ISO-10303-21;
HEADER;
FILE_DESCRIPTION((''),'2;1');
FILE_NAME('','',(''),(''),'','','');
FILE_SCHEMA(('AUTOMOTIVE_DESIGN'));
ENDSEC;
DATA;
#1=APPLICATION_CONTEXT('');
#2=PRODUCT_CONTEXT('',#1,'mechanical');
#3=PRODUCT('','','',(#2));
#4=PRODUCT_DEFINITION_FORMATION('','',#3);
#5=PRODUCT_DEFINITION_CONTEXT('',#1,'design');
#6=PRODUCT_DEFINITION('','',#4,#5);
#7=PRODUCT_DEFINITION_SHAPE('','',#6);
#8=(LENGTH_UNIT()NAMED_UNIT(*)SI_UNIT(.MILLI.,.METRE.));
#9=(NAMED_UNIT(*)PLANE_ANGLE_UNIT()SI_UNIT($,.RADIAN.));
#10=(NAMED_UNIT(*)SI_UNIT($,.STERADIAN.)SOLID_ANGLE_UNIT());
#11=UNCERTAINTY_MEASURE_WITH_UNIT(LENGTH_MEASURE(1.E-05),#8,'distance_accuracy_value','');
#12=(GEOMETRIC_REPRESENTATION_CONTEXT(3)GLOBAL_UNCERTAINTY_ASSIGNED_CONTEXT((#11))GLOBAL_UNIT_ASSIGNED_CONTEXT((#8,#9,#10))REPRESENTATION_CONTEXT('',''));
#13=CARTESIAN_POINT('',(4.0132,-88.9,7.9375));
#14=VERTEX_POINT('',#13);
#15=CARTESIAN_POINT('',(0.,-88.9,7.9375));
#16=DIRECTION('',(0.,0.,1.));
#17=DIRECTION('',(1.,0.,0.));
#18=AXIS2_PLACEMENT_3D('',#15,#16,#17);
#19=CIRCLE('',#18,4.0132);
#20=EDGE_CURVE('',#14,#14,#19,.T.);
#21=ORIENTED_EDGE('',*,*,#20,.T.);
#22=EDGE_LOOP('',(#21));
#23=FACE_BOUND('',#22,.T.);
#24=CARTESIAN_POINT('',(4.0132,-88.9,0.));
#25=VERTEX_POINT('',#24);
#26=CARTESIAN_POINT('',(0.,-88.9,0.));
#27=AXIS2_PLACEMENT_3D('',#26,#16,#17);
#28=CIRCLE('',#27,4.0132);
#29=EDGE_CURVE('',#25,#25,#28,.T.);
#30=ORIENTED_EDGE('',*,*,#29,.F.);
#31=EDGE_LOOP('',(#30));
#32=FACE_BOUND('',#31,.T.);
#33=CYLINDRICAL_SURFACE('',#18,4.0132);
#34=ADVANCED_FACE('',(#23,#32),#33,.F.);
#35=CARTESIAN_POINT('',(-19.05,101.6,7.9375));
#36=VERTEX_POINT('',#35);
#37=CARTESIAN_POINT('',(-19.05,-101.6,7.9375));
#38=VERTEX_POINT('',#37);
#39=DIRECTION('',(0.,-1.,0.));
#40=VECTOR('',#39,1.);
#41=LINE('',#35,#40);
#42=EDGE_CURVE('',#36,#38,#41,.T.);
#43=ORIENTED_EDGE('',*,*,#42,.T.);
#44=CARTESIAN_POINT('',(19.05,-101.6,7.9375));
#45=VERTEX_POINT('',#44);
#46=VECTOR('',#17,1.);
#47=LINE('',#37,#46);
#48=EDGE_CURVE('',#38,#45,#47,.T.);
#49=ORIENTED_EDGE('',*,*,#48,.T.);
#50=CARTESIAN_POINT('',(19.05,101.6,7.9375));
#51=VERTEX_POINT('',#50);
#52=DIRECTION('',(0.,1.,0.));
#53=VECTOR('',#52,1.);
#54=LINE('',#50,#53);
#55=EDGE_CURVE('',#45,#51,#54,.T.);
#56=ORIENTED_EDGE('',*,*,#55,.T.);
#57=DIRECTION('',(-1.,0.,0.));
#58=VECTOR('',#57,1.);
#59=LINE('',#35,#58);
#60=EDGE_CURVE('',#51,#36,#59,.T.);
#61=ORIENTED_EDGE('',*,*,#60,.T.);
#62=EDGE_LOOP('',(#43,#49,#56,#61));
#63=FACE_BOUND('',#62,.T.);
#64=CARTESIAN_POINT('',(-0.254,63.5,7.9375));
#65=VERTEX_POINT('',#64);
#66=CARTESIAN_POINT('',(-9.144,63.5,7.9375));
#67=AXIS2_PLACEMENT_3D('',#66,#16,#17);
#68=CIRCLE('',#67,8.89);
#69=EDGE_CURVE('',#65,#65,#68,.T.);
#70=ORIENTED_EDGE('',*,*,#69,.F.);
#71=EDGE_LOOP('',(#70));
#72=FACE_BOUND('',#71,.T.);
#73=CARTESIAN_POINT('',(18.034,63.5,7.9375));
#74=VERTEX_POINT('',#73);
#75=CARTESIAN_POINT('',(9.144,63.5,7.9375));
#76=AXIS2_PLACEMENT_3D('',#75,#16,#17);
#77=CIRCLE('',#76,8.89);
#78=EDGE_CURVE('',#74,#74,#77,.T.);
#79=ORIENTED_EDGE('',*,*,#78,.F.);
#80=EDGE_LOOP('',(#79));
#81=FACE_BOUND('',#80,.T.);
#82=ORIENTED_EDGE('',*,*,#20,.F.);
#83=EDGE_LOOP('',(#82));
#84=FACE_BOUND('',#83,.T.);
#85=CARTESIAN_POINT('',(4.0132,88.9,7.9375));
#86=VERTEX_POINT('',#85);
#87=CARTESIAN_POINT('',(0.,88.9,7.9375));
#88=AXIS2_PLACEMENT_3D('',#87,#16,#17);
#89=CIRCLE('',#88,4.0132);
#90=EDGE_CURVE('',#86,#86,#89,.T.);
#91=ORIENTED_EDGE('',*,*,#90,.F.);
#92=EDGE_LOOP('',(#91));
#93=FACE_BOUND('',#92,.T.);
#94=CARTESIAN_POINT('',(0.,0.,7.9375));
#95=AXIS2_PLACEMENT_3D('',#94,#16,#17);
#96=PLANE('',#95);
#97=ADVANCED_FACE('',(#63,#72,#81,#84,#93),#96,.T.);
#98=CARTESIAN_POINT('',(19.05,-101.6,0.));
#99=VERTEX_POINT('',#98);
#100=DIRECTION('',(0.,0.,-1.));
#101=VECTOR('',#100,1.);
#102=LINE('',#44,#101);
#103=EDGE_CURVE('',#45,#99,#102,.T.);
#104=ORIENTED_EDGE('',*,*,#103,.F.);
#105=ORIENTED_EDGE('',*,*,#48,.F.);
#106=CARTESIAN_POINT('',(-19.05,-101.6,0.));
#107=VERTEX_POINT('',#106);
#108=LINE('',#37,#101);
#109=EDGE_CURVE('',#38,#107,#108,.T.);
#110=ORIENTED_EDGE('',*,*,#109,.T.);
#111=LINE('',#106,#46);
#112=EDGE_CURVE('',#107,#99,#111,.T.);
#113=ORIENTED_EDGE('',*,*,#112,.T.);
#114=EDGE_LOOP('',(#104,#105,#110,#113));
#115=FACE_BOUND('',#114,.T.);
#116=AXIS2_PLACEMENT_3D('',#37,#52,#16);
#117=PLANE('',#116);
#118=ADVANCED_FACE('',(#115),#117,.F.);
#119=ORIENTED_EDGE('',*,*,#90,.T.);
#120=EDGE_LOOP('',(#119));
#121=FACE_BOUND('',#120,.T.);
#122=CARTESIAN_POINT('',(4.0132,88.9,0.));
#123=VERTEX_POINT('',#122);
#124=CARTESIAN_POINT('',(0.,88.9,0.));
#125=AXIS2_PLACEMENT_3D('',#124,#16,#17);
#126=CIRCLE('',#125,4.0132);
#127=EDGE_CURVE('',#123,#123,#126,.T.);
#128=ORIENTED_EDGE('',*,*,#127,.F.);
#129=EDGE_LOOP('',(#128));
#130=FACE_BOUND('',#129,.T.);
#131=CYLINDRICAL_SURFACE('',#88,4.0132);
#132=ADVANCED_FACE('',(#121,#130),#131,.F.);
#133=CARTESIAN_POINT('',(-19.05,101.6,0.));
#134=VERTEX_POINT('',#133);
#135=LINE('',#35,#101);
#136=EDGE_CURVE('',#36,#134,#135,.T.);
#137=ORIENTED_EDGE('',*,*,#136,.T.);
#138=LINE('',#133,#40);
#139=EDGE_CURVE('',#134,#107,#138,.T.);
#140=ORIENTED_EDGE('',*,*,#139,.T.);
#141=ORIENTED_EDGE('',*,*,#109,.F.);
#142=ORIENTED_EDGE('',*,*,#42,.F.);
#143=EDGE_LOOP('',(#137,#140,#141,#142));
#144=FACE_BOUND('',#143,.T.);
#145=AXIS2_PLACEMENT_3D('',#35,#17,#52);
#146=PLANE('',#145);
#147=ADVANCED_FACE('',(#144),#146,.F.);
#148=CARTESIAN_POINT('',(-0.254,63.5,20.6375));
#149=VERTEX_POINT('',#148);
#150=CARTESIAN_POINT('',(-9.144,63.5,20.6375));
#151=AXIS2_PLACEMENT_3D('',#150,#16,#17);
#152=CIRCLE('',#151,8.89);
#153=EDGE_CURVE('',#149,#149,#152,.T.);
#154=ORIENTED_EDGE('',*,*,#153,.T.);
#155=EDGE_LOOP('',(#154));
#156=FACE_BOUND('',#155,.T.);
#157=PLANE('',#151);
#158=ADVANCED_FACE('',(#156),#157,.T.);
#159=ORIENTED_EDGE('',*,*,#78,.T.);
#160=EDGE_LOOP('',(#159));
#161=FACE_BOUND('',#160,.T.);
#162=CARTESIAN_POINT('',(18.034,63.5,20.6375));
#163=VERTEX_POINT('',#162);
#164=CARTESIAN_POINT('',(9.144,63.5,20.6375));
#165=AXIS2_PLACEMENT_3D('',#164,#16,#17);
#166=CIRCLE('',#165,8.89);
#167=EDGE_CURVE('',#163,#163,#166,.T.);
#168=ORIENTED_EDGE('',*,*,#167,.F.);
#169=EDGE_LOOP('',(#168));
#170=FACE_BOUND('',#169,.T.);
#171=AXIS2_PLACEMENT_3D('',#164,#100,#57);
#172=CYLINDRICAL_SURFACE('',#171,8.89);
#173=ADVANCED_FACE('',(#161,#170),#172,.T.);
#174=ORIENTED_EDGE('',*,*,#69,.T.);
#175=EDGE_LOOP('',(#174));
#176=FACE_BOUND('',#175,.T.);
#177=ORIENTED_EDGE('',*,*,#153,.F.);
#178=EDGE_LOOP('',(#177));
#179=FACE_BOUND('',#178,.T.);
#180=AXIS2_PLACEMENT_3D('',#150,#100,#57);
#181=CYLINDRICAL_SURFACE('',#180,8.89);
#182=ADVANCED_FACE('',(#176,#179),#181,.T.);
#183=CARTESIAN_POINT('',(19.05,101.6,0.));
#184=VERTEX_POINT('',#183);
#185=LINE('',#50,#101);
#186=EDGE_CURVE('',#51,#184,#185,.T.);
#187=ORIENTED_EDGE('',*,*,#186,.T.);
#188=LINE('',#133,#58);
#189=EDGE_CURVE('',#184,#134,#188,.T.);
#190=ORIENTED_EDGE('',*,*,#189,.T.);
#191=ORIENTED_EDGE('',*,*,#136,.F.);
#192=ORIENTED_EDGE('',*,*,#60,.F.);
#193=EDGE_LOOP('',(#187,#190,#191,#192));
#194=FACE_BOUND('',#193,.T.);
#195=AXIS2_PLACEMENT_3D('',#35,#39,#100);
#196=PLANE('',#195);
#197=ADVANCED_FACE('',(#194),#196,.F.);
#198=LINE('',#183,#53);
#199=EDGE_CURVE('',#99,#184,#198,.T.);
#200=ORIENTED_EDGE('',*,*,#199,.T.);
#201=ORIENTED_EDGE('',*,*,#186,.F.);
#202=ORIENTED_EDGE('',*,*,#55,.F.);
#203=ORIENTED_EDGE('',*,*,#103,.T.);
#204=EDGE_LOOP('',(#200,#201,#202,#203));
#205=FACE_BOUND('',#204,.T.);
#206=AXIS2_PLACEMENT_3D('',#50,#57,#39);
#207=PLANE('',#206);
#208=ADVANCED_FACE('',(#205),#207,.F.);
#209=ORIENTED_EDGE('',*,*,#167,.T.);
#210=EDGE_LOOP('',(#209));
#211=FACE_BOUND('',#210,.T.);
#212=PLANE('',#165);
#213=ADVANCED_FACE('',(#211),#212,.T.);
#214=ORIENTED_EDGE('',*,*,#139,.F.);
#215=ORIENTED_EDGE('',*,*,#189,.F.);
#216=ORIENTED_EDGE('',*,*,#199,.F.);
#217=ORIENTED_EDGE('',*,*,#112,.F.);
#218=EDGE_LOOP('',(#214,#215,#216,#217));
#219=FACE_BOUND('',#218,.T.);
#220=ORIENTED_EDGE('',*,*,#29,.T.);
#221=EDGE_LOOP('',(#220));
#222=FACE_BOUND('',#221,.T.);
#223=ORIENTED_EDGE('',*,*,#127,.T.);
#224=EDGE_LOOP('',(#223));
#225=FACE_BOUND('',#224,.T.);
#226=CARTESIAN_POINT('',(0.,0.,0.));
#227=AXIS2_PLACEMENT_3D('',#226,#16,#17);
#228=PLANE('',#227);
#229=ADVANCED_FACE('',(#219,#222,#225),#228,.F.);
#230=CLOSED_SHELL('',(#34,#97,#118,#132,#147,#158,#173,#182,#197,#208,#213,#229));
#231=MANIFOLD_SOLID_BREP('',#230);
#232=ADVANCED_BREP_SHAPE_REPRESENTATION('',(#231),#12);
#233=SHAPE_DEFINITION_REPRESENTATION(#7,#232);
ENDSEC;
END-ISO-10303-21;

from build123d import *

# Parameters (mm, degrees)
SKETCH1_W                = 38.1
SKETCH1_H                = 203.2
BOSS_EXTRUDE1_DEPTH      = 7.9375
O_0_316_DIAMETER_HOLE1_D = 8.0264
SKETCH4_R                = 8.89
BOSS_EXTRUDE2_DEPTH      = 12.7


with BuildPart() as part:
    # Sketch1 → Boss-Extrude1 (new body)
    with BuildSketch(Plane.XY):
        Rectangle(SKETCH1_W, SKETCH1_H)
    extrude(amount=BOSS_EXTRUDE1_DEPTH)

    # O (0.316) Diameter Hole1 (through all)
    with Locations(Plane.XY.offset(7.9375)):
        with Locations((0, 88.9)):
            o_0_316_diameter_hole1 = Hole(O_0_316_DIAMETER_HOLE1_D / 2)

    # Mirror1: O (0.316) Diameter Hole1 across plane
    add(o_0_316_diameter_hole1.mirror(Plane.ZX), mode=Mode.SUBTRACT)

    # Sketch4 → Boss-Extrude2 (add)
    with BuildSketch(Plane.XY.offset(7.9375)):
        with Locations((-9.144, 63.5)):
            Circle(SKETCH4_R)
        with Locations((9.144, 63.5)):
            Circle(SKETCH4_R)
    extrude(amount=BOSS_EXTRUDE2_DEPTH)


solid = part.part
